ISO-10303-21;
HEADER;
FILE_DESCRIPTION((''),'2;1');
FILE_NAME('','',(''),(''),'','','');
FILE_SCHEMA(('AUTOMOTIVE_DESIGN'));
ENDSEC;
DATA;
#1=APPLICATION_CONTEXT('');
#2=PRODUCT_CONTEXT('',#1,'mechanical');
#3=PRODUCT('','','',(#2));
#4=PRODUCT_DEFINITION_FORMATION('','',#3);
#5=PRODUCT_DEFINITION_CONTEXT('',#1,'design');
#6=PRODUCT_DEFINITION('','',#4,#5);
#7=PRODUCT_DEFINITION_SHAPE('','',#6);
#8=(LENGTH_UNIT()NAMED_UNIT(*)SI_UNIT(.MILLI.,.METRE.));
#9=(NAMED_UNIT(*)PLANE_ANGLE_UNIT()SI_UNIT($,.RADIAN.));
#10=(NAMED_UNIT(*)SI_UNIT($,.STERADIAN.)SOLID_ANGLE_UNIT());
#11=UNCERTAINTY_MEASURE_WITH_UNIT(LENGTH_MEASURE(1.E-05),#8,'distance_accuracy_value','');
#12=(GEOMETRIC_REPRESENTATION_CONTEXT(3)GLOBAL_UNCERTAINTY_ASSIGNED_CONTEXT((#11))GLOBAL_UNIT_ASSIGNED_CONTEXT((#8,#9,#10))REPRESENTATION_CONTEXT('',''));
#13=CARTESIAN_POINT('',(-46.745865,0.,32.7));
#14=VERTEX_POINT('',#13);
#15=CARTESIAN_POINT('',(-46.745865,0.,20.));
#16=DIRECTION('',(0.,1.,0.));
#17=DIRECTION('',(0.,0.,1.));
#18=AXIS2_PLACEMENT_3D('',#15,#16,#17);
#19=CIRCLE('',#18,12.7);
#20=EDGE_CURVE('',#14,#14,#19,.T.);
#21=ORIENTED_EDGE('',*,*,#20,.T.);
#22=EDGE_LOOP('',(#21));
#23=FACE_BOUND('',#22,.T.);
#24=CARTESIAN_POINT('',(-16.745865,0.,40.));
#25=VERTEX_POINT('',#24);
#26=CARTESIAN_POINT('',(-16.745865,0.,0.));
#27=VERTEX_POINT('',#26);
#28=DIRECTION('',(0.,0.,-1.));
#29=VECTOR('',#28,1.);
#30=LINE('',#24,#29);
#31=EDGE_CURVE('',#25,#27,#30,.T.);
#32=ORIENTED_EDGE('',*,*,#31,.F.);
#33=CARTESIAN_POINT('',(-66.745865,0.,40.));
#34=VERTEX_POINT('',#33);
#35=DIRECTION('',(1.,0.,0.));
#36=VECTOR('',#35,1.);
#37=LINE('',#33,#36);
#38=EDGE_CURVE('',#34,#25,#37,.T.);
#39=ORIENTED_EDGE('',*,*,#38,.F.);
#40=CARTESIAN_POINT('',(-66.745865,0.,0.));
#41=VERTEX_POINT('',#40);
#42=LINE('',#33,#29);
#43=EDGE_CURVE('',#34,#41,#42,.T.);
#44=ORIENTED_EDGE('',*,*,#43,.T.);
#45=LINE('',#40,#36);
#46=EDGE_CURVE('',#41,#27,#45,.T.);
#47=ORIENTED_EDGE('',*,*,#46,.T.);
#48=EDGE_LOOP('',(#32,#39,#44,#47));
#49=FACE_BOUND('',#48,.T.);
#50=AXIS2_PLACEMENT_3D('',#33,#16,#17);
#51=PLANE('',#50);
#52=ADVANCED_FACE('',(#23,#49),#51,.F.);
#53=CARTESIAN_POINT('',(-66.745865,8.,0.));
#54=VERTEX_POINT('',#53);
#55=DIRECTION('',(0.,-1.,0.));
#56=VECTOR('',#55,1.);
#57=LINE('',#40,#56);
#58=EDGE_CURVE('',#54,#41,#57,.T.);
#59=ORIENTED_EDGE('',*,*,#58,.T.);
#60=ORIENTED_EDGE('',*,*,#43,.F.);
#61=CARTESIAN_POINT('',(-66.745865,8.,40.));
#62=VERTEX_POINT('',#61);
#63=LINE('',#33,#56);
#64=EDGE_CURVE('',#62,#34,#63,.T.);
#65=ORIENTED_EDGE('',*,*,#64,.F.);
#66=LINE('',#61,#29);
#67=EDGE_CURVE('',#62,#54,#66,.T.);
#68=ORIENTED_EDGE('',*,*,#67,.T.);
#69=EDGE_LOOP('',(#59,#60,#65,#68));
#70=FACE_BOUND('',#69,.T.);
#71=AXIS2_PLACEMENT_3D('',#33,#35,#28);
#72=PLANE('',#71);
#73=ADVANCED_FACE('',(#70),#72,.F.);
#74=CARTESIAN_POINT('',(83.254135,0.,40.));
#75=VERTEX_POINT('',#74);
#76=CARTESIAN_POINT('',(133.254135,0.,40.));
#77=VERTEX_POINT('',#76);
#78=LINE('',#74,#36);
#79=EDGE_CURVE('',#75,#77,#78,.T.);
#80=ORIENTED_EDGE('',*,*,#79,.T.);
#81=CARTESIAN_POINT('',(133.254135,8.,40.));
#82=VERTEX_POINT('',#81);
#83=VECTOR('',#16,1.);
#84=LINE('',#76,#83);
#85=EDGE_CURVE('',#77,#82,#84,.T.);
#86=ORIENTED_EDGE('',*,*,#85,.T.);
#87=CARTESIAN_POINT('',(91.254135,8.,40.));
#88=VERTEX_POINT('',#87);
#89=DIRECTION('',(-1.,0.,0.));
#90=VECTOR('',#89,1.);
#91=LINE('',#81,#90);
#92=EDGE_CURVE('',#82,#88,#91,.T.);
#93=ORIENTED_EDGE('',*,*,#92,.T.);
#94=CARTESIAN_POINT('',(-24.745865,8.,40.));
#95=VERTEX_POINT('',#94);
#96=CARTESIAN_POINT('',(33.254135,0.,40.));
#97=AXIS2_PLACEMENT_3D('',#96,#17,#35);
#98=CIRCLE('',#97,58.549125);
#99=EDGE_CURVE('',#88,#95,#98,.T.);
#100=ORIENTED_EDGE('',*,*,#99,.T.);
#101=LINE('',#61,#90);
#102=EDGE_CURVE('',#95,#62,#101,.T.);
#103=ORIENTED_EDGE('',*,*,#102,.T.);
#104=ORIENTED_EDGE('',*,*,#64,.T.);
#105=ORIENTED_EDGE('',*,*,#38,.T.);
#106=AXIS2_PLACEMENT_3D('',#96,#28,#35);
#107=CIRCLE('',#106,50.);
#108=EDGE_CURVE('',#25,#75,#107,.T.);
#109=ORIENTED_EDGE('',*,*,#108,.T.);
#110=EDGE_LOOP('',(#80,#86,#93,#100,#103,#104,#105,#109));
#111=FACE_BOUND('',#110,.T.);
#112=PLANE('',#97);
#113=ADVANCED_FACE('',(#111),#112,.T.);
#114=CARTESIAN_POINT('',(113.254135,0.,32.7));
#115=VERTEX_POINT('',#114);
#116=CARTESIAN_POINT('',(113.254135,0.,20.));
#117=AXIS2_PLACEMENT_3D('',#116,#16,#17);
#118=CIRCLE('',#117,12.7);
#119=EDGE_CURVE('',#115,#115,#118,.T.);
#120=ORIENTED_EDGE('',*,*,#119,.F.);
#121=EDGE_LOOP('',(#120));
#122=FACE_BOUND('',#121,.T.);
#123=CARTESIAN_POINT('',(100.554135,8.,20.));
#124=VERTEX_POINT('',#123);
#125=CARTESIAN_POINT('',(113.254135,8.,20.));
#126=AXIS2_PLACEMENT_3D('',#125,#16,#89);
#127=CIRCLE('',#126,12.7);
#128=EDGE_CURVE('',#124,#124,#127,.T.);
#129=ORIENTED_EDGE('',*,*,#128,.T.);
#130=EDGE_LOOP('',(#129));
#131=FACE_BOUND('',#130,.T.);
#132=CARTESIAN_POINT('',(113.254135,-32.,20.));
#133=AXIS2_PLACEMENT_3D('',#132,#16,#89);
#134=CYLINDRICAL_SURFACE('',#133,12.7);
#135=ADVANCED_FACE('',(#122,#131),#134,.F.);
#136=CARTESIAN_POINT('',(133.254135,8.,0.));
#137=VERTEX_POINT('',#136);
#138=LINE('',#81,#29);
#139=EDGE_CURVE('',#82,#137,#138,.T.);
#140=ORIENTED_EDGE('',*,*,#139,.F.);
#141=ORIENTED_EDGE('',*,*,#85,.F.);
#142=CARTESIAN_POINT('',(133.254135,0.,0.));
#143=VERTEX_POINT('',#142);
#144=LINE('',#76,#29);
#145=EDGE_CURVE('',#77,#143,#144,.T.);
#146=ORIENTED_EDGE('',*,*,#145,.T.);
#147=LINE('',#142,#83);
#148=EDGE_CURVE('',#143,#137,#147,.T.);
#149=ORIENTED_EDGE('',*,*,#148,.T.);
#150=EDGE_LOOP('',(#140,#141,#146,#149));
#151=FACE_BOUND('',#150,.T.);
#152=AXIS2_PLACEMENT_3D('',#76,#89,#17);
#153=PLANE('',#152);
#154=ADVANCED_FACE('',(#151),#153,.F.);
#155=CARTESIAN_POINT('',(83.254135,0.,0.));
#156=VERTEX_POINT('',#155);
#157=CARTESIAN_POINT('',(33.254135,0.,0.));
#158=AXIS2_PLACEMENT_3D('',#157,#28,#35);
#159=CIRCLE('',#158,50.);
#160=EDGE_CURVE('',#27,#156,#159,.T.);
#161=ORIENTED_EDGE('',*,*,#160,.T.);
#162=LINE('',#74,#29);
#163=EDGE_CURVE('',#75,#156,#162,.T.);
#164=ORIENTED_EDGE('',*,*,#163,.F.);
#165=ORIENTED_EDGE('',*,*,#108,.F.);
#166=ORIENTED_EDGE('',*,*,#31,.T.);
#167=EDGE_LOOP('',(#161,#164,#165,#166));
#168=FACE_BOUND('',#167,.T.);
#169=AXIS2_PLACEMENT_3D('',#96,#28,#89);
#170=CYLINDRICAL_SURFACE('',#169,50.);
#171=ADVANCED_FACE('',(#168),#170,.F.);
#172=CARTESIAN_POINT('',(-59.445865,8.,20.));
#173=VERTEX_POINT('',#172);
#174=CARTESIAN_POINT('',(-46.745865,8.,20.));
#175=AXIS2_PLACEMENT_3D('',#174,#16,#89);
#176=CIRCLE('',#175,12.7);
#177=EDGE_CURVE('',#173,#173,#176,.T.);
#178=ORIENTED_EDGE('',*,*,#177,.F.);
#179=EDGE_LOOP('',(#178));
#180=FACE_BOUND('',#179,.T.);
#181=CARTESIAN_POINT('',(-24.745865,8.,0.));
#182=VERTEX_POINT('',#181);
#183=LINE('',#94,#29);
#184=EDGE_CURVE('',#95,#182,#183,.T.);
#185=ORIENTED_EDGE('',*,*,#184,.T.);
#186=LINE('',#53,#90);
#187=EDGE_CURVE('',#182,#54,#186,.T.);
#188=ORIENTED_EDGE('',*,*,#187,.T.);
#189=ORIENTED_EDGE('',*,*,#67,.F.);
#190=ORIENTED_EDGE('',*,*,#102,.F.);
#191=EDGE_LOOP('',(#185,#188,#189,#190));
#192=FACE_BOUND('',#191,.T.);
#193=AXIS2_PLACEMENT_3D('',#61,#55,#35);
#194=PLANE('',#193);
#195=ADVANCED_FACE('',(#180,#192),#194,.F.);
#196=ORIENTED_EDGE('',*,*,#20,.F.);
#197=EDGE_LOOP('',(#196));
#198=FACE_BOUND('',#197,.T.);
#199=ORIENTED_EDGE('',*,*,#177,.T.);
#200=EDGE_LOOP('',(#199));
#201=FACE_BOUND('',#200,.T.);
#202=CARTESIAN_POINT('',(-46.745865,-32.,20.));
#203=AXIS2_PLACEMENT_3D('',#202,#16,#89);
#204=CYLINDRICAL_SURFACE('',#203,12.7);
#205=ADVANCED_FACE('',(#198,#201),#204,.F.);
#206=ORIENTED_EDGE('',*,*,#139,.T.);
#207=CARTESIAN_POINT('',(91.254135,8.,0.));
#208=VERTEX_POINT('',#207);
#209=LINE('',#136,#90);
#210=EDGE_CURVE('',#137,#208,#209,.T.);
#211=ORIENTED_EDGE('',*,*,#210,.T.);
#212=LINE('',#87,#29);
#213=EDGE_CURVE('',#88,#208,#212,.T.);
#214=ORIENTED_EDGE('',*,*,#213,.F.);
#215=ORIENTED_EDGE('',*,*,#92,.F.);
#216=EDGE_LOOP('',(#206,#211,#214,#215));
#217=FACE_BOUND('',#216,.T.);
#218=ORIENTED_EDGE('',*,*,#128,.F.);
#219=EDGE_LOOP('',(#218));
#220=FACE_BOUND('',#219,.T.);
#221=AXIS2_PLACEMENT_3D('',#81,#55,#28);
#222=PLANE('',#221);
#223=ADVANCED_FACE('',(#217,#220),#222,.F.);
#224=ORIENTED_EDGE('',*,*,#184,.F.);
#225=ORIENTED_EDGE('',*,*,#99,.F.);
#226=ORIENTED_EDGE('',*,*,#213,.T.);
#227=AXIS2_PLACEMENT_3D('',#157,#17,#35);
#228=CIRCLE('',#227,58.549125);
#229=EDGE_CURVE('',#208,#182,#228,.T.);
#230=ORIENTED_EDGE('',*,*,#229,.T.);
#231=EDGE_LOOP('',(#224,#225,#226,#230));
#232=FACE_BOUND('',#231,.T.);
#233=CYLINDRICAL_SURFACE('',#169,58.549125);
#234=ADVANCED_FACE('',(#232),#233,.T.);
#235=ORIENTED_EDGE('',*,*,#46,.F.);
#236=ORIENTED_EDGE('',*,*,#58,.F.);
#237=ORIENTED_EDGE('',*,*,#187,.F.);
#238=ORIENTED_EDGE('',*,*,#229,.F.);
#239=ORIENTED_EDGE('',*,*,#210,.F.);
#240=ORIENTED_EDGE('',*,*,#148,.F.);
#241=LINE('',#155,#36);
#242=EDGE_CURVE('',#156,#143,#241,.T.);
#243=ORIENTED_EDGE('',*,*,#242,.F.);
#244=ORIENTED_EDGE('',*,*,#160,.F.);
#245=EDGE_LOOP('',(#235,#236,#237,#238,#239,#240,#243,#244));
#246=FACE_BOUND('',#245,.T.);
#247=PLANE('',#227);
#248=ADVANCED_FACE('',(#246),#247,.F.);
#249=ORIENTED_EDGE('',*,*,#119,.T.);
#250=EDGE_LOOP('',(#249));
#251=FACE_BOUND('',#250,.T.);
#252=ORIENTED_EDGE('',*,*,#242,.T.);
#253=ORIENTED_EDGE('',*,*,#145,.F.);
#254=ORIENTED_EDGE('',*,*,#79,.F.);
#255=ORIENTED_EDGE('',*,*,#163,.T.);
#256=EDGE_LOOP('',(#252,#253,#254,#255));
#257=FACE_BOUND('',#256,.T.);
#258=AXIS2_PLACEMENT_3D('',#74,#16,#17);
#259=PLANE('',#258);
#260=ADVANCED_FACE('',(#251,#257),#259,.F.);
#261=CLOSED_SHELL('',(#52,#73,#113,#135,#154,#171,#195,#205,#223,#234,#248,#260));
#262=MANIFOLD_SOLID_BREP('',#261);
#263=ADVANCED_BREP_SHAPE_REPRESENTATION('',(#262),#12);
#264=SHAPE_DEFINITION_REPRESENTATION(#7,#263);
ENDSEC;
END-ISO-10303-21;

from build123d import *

# Parameters (mm, degrees)
BOSS_EXTRUDE1_DEPTH = 40
SKETCH2_R           = 12.7
CUT_EXTRUDE2_DEPTH  = 40


with BuildPart() as part:
    # Sketch1 → Boss-Extrude1 (new body)
    with BuildSketch(Plane.XY):
        with BuildLine():
            Line((133.254134777, 0), (133.254134777, 8))
            Line((133.254134777, 8), (91.254134777, 8))
            ThreePointArc((91.254134777, 8), (33.254134777, 58.549124673), (-24.745865223, 8))
            Line((-24.745865223, 8), (-66.745865223, 8))
            Line((-66.745865223, 8), (-66.745865223, 0))
            Line((-66.745865223, 0), (-16.745865223, 0))
            ThreePointArc((-16.745865223, 0), (33.254134777, 50), (83.254134777, 0))
            Line((83.254134777, 0), (133.254134777, 0))
        make_face()
    extrude(amount=BOSS_EXTRUDE1_DEPTH)

    # Sketch2 → Cut-Extrude2 (cut)
    with BuildSketch(Plane(origin=(0, 8, 0), x_dir=(1, 0, 0), z_dir=(0, 1, 0))):
        with Locations(Location((-46.745865223, -20, 0), (0, 0, 180))):
            Circle(SKETCH2_R)
        with Locations(Location((113.254134777, -20, 0), (0, 0, 180))):
            Circle(SKETCH2_R)
    extrude(amount=-CUT_EXTRUDE2_DEPTH, mode=Mode.SUBTRACT)


solid = part.part
